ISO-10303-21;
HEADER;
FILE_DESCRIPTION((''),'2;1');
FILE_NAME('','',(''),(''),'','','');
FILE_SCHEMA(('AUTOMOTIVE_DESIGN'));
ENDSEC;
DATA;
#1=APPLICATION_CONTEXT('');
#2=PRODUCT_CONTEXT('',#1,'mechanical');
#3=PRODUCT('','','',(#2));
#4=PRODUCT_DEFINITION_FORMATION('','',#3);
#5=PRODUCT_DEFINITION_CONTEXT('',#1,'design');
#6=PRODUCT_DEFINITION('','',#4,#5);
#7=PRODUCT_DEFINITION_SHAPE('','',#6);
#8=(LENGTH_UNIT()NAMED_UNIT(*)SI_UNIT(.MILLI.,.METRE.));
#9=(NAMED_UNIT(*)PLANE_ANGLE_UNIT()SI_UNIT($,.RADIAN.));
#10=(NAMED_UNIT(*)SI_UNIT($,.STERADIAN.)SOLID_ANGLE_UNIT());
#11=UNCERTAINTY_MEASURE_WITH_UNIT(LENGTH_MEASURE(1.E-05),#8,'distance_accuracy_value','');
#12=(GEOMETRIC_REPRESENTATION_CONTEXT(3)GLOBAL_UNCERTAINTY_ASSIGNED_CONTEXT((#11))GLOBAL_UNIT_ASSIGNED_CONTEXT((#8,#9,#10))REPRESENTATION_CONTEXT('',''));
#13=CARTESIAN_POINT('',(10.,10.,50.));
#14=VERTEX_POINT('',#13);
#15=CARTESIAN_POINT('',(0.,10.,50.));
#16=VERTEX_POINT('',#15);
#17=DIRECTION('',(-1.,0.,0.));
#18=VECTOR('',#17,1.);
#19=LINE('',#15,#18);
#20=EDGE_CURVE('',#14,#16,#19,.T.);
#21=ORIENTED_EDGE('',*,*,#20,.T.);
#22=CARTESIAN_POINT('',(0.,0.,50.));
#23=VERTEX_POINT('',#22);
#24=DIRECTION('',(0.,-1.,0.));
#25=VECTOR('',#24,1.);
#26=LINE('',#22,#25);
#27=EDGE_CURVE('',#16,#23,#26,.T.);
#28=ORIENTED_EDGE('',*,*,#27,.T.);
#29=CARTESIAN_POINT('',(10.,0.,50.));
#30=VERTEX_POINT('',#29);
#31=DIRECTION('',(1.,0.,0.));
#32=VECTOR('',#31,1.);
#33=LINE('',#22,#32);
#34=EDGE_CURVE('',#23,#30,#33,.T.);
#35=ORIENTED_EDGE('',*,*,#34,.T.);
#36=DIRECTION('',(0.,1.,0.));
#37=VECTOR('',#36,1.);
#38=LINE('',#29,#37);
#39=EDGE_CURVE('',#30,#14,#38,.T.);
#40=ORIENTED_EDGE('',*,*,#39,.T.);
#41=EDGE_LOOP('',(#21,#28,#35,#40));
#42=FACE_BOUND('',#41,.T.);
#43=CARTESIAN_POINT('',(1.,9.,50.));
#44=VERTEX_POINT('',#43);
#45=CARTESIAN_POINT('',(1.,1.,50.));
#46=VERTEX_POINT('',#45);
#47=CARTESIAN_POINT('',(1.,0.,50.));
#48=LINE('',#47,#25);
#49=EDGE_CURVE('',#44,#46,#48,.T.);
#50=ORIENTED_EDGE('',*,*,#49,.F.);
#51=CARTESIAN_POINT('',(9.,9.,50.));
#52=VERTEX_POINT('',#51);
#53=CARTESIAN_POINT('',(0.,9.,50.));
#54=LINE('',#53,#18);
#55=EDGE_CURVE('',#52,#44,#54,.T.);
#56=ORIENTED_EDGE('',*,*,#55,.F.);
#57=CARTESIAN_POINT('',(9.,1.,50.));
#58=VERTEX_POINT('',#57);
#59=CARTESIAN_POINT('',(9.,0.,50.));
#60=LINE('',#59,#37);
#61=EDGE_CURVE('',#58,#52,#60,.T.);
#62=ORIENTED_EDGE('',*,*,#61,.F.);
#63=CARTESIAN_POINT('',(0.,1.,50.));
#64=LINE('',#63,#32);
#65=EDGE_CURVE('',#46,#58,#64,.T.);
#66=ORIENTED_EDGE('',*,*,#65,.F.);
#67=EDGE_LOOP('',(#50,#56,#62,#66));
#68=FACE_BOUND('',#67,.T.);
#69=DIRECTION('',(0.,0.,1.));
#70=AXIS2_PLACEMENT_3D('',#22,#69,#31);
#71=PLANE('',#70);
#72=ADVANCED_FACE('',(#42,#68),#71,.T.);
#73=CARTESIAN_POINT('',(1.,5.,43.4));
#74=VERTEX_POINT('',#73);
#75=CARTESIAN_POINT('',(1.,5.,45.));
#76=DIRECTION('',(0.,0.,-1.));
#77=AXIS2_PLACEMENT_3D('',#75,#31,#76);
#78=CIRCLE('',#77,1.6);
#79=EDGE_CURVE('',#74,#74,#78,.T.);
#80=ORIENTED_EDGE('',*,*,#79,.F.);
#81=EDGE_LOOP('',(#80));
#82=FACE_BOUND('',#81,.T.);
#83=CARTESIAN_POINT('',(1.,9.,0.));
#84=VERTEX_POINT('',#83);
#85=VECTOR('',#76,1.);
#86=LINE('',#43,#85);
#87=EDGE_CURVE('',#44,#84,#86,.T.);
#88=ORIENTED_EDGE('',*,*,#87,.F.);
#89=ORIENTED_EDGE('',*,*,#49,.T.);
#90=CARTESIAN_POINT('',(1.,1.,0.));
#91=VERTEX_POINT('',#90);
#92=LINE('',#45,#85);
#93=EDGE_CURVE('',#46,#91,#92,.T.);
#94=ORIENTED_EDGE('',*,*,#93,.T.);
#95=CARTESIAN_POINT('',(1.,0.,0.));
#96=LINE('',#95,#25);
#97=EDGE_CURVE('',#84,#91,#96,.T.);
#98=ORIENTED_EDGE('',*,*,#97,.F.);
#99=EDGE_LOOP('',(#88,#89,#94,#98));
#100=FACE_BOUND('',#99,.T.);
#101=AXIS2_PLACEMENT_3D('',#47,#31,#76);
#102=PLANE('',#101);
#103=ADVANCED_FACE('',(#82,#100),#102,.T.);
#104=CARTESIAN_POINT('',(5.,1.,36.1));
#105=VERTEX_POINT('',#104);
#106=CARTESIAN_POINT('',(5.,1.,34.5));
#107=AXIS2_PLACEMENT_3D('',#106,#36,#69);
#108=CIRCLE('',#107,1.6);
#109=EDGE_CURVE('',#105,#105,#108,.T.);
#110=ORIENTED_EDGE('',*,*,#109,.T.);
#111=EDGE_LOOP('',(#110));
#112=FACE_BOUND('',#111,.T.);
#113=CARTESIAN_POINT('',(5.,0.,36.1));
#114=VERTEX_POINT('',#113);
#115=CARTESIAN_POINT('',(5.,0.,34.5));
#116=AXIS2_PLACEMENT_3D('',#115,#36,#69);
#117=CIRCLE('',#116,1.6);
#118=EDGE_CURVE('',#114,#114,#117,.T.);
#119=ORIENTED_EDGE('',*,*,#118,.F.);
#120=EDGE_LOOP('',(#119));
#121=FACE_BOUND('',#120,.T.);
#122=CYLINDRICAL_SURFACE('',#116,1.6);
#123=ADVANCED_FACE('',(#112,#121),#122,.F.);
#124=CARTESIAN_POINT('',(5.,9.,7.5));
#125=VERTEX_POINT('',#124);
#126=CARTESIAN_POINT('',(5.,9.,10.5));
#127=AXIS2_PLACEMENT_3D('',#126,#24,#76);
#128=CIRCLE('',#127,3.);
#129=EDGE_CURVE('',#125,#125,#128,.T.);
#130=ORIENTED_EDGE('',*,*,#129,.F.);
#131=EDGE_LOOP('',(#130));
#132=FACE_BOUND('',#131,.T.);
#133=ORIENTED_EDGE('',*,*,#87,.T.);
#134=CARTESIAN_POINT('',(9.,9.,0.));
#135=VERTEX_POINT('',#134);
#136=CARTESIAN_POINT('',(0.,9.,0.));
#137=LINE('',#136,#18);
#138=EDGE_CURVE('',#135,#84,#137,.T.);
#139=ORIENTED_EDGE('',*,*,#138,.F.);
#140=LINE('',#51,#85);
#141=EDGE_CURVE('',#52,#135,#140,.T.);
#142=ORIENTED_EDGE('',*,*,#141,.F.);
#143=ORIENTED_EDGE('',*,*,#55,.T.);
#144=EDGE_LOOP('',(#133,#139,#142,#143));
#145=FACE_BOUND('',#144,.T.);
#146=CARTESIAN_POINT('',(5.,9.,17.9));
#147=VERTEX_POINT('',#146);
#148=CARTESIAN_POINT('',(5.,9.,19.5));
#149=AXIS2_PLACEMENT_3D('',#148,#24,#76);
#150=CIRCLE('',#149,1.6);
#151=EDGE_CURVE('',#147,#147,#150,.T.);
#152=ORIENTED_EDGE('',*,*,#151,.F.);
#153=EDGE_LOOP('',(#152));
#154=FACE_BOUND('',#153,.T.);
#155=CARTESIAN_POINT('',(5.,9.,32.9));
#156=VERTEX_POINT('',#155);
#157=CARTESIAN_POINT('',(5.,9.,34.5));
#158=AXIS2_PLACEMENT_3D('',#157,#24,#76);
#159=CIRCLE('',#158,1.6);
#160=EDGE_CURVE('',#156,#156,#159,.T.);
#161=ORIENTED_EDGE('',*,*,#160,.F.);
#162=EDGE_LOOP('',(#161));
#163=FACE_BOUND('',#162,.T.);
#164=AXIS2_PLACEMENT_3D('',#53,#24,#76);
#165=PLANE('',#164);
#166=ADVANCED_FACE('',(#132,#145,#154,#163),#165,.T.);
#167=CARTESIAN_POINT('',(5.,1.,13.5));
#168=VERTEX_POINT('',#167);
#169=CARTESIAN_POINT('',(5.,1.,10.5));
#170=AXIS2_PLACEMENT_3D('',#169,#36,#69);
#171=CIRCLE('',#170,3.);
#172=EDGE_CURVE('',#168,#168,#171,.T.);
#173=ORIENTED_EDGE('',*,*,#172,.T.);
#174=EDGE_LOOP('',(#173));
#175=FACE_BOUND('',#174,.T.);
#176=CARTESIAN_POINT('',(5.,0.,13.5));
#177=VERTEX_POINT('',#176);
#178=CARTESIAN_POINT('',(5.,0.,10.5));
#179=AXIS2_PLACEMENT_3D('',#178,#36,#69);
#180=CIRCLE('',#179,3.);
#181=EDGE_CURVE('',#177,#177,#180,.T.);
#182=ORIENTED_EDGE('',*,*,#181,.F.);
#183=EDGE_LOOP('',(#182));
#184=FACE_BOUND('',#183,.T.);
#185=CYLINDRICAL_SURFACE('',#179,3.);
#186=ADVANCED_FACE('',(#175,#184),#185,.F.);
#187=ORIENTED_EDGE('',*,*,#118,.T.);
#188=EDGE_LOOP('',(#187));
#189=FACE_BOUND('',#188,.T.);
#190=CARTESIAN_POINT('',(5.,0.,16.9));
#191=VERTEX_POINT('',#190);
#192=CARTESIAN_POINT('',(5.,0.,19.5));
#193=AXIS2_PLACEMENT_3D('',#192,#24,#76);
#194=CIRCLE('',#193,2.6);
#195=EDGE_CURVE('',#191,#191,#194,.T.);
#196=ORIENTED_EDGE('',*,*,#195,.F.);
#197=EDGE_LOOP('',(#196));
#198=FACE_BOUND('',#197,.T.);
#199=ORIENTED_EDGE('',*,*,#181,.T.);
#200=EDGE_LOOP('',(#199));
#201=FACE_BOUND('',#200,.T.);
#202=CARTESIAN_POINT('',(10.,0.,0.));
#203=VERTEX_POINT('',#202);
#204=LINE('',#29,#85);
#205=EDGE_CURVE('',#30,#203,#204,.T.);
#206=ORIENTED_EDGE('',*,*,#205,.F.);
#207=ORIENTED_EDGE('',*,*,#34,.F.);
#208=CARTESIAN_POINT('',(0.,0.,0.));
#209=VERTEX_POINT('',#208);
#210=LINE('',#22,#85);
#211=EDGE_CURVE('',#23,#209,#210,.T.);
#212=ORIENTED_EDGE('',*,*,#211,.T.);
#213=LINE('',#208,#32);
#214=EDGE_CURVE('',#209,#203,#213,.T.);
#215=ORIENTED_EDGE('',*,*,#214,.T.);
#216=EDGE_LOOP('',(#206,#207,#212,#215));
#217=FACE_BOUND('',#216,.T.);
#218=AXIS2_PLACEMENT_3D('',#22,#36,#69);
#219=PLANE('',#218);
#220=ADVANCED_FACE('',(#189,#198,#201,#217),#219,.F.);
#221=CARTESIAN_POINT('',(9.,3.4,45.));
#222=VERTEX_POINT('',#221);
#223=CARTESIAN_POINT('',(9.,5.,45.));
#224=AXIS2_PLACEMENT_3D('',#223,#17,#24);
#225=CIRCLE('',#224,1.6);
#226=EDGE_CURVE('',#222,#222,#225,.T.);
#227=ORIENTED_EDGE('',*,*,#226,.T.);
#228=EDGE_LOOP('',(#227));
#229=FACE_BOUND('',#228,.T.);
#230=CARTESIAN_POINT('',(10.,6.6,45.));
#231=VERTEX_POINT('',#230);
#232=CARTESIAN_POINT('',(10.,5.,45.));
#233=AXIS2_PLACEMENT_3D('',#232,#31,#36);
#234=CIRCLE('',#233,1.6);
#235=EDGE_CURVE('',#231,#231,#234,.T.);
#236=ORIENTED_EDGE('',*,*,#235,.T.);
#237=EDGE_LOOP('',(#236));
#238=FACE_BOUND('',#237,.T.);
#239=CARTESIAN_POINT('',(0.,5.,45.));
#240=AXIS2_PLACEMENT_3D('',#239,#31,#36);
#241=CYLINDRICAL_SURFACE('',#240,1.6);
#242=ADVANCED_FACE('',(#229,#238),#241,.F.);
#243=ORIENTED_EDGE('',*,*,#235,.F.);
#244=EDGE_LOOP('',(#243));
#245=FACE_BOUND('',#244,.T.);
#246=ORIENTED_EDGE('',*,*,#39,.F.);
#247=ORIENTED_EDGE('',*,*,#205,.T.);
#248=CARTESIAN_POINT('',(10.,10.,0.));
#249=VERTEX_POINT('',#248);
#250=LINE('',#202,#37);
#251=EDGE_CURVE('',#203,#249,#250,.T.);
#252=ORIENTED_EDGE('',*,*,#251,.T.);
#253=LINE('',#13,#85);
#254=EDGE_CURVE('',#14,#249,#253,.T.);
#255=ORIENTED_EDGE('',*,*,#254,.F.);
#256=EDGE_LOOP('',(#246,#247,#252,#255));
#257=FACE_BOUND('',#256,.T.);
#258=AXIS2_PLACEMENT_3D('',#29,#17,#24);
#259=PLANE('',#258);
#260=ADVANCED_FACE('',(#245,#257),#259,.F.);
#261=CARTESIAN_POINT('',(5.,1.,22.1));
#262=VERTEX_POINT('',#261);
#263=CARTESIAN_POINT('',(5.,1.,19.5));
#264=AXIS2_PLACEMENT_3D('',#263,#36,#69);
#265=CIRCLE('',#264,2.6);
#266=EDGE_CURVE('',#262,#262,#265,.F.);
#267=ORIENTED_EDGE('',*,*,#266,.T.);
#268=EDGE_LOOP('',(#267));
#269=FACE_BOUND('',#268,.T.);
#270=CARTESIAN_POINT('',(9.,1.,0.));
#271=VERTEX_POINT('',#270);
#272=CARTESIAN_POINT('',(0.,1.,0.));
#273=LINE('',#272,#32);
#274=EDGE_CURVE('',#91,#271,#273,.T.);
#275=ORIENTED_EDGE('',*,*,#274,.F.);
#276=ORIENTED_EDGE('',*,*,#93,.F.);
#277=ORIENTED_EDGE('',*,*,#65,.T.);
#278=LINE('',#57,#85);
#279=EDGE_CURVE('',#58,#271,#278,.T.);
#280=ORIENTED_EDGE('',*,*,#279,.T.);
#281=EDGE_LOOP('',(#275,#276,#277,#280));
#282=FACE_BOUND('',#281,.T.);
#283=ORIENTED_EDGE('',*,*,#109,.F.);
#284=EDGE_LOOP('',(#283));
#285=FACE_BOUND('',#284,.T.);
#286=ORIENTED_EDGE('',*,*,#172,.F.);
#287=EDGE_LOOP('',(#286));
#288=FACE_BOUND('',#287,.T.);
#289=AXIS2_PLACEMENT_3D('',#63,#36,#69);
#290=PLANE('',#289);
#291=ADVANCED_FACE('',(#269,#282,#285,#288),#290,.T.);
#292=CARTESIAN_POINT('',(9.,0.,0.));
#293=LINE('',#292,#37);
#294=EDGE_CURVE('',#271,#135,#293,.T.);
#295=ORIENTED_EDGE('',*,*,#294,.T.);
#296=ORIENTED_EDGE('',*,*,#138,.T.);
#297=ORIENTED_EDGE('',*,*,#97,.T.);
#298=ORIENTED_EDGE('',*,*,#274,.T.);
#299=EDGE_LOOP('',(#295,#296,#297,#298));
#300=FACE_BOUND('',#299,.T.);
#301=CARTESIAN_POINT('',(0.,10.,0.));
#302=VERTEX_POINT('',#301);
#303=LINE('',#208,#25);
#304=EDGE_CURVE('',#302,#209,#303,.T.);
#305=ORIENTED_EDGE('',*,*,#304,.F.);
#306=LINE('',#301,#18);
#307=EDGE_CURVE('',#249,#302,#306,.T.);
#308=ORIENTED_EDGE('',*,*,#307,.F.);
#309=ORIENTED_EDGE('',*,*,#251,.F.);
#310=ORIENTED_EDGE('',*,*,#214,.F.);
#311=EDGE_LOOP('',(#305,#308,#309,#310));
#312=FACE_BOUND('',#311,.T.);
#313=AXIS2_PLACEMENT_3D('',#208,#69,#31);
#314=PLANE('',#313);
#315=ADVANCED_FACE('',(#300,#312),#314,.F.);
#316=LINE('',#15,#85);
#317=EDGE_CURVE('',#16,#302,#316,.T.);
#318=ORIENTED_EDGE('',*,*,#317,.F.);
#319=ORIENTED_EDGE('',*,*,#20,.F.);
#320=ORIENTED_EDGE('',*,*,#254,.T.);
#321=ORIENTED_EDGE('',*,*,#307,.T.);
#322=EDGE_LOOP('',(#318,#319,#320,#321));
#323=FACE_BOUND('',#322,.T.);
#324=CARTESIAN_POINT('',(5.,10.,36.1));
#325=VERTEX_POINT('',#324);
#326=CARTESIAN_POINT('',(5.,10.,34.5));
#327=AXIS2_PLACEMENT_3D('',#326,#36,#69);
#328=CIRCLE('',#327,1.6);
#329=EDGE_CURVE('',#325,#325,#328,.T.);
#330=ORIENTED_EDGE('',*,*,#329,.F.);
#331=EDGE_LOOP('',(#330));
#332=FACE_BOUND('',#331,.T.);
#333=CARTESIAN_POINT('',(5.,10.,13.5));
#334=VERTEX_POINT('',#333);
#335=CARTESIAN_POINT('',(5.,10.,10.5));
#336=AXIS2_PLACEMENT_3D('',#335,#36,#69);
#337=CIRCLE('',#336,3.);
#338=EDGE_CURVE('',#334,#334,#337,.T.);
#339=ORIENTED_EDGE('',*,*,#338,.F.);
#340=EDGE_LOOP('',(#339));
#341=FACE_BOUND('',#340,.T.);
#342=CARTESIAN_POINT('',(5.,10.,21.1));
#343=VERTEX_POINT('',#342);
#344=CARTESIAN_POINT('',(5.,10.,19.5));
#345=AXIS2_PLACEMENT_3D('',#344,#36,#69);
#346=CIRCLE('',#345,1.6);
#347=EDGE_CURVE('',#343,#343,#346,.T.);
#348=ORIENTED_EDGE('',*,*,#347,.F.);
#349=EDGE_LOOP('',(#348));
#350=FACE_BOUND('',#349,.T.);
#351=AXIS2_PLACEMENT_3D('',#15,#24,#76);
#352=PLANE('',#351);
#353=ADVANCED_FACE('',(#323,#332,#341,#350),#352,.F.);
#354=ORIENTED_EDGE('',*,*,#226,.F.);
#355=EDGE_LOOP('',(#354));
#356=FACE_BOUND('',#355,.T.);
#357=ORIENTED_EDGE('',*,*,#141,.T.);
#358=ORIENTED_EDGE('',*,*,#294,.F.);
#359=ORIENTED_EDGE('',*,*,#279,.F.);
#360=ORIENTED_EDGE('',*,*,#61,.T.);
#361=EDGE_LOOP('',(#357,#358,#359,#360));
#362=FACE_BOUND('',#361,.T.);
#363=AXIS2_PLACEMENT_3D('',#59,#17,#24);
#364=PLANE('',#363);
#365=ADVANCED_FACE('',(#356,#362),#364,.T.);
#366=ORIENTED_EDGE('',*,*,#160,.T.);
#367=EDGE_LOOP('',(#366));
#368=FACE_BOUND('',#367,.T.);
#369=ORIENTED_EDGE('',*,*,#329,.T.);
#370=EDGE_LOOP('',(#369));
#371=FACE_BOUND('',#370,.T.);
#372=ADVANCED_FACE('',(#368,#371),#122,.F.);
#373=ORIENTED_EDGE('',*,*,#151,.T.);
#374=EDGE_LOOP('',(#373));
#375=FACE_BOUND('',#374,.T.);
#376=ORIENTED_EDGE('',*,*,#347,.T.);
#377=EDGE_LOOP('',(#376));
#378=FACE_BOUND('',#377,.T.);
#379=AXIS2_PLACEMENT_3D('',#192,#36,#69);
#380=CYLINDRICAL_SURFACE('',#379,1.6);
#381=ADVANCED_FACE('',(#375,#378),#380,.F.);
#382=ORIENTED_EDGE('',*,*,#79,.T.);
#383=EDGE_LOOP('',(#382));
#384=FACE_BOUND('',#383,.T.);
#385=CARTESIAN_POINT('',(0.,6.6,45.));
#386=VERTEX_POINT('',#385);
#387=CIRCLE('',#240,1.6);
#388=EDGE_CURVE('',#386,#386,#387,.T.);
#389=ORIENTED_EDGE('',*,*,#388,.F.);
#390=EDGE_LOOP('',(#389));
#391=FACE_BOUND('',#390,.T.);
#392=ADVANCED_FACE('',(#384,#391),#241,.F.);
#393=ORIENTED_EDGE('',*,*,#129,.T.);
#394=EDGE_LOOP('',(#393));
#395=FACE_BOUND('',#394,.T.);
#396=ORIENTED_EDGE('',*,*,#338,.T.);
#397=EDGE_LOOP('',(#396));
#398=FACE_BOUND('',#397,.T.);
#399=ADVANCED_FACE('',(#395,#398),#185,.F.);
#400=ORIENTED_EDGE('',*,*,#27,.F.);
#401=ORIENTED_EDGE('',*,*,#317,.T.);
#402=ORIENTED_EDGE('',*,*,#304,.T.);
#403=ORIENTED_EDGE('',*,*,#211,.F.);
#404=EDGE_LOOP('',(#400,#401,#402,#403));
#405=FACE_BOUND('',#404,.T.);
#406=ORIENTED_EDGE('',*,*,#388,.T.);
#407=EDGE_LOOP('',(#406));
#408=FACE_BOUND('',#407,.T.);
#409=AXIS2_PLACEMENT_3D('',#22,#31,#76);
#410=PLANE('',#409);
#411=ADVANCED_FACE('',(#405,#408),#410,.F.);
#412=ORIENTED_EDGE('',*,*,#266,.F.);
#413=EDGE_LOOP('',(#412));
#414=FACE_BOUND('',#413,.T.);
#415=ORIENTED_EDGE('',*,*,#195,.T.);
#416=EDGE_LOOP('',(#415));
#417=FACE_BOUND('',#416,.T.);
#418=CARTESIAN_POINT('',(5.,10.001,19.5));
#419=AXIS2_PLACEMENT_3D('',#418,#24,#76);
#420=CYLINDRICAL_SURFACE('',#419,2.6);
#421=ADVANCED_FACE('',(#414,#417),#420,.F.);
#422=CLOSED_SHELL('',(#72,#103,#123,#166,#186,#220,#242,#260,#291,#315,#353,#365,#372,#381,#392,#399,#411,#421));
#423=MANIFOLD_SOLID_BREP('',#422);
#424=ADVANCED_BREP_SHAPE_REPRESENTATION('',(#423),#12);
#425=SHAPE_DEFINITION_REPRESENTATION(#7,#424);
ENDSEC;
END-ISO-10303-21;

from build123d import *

# Parameters (mm, degrees)
SKETCH_1_W          = 10
SKETCH_1_H          = 10
SKETCH_1_W_2        = 8
SKETCH_1_H_2        = 8
EXTRUDE_1_DEPTH     = 50
SKETCH_2_R          = 3
SKETCH_2_R_2        = 1.6
CUT_EXTRUDE_1_DEPTH = 52.961524227
CUT_EXTRUDE_2_REACH = 53.962
SKETCH_4_R          = 2.6
SKETCH_6_R          = 1.6
CUT_EXTRUDE_4_DEPTH = 52.961524227


with BuildPart() as part:
    # ｽｹｯﾁ1 → 押し出し-薄板1 (new body)
    with BuildSketch(Plane.XY):
        with Locations((5, 5)):
            Rectangle(SKETCH_1_W, SKETCH_1_H)
        with Locations((5, 5)):
            Rectangle(SKETCH_1_W_2, SKETCH_1_H_2, mode=Mode.SUBTRACT)
    extrude(amount=EXTRUDE_1_DEPTH)

    # ｽｹｯﾁ2 → ｶｯﾄ - 押し出し1 (cut, through all)
    with BuildSketch(Plane(origin=(0, 10, 0), x_dir=(1, 0, 0), z_dir=(0, 1, 0))):
        with Locations(Location((5, -10.5, 0), (0, 0, 270))):
            Circle(SKETCH_2_R)
        with Locations(Location((5, -19.5, 0), (0, 0, 270))):
            Circle(SKETCH_2_R_2)
        with Locations(Location((5, -34.5, 0), (0, 0, 270))):
            Circle(SKETCH_2_R_2)
    extrude(amount=-CUT_EXTRUDE_1_DEPTH, mode=Mode.SUBTRACT)

    # ｽｹｯﾁ4 → ｶｯﾄ - 押し出し2 (cut, up to next)
    with BuildSketch(Plane.XZ, mode=Mode.PRIVATE) as cut_extrude_2_sk1:
        with Locations(Location((5, 19.5, 0), (0, 0, 270))):
            Circle(SKETCH_4_R)
    cut_extrude_2_tool1 = extrude(cut_extrude_2_sk1.sketch, amount=-CUT_EXTRUDE_2_REACH, mode=Mode.PRIVATE) & part.part
    add(cut_extrude_2_tool1.solids().sort_by_distance((5, 0, 19.5))[0], mode=Mode.SUBTRACT)

    # ｽｹｯﾁ6 → ｶｯﾄ - 押し出し4 (cut, through all)
    with BuildSketch(Plane(origin=(10, 0, 0), x_dir=(0, 0, -1), z_dir=(1, 0, 0))):
        with Locations(Location((-45, 5, 0), (0, 0, 90))):
            Circle(SKETCH_6_R)
    extrude(amount=-CUT_EXTRUDE_4_DEPTH, mode=Mode.SUBTRACT)


solid = part.part
